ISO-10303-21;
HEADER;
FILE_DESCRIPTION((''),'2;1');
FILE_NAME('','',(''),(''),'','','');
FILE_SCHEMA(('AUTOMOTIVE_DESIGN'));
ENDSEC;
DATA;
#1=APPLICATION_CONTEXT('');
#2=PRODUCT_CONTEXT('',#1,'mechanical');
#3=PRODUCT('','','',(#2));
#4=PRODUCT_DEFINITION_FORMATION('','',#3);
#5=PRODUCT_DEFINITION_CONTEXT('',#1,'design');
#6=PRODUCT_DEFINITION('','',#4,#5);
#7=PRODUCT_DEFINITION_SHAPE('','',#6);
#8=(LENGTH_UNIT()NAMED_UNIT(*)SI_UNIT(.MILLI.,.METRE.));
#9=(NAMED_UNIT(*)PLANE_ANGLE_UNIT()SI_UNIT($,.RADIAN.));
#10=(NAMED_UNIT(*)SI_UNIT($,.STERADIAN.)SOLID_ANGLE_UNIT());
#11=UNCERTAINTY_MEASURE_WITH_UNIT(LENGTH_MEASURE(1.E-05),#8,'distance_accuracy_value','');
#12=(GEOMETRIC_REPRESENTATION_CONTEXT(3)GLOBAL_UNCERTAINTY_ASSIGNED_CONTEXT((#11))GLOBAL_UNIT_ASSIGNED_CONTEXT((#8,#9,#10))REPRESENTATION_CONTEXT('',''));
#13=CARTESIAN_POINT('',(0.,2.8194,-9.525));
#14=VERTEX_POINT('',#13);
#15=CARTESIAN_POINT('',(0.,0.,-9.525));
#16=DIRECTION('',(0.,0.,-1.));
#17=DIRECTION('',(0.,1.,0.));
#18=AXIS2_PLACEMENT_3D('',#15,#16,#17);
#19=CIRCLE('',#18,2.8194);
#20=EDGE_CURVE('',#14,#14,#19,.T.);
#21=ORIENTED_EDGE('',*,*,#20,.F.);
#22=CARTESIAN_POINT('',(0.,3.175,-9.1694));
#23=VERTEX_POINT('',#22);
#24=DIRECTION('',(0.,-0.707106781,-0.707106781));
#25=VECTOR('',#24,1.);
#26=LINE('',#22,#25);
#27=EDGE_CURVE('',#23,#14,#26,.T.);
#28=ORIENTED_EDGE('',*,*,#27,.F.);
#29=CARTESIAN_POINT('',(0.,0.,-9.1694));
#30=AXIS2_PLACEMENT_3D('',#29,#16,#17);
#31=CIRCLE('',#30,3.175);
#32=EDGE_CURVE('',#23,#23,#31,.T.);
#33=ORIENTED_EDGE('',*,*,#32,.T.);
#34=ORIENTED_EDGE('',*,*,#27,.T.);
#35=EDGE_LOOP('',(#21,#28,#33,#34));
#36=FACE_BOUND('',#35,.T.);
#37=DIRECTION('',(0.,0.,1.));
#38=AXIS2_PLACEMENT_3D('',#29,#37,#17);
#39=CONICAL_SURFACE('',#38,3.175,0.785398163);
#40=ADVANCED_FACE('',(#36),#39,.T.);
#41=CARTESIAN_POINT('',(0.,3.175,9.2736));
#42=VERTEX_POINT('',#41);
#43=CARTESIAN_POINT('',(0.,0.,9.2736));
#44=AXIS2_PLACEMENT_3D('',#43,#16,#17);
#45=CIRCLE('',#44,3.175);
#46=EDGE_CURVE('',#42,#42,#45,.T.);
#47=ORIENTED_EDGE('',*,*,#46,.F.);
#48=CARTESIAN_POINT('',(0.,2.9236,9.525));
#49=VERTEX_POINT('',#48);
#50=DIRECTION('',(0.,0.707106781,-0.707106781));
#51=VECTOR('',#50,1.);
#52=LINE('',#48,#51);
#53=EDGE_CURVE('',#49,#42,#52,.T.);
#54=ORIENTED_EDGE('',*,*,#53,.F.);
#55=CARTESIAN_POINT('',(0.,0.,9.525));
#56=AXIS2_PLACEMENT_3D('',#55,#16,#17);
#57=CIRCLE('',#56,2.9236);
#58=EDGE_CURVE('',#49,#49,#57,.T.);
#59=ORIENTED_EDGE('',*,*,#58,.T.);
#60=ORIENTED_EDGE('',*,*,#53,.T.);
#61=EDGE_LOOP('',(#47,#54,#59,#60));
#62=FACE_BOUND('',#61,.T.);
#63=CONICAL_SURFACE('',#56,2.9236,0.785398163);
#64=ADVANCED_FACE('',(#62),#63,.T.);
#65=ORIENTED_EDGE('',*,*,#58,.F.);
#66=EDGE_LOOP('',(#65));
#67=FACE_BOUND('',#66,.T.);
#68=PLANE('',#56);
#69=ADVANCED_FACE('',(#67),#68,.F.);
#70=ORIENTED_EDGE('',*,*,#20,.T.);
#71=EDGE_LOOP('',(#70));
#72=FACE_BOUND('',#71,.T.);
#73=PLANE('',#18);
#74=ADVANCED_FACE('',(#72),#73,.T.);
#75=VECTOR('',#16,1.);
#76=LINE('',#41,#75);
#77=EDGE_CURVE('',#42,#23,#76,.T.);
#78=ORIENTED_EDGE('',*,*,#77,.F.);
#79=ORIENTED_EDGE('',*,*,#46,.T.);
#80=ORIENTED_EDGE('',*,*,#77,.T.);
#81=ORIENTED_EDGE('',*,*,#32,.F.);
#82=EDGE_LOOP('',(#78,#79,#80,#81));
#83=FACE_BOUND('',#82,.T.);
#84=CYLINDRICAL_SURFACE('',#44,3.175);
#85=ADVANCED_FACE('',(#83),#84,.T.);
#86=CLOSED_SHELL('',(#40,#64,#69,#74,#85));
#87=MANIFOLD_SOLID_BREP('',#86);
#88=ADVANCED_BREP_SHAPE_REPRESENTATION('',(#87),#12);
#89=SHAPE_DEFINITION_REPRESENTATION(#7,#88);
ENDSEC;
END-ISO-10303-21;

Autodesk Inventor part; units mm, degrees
sketch "Sketch_1" plane through (0, 0, 0) normal (1, 0, 0) x (0, 1, 0)
  line L0 (0, -9.525) -> (0, 9.525)
  line L1 (0, 9.525) -> (2.9236, 9.525)
  line L2 (2.9236, 9.525) -> (3.175, 9.2736)
  line L3 (3.175, 9.2736) -> (3.175, -9.1694)
  line L4 (3.175, -9.1694) -> (2.8194, -9.525)
  line L5 (2.8194, -9.525) -> (0, -9.525)
  line L6 (0, -9.525) -> (0, 9.525)
revolve "Revolution1" add sketch "Sketch_1" angle 360 about axis through (0, 0, -9.525) along (0, 0, -1)
ref_plane "dia1_XY" through (-3.175, 0, 0) normal (0, 0, 1) x (1, 0, 0)
ref_plane "dia1_YZ" through (-3.175, 0, 0) normal (1, 0, 0) x (0, 1, 0)
ref_plane "dia1_ZX" through (-3.175, 0, 0) normal (0, 1, 0) x (0, 0, 1)
ref_plane "dia2_XY" through (3.175, 0, 0) normal (0, 0, 1) x (1, 0, 0)
ref_plane "dia2_YZ" through (3.175, 0, 0) normal (1, 0, 0) x (0, 1, 0)
ref_plane "dia2_ZX" through (3.175, 0, 0) normal (0, 1, 0) x (0, 0, 1)
ref_plane "pin_XY" through (0, 0, 0) normal (0, 0, 1) x (1, 0, 0)
ref_plane "pin_YZ" through (0, 0, 0) normal (1, 0, 0) x (0, 1, 0)
ref_plane "pin_ZX" through (0, 0, 0) normal (0, 1, 0) x (0, 0, 1)
ref_plane "pin1_XY" through (0, 0, 9.525) normal (1, 0, 0) x (0, 0, -1)
ref_plane "pin1_YZ" through (0, 0, 9.525) normal (0, 0, -1) x (0, 1, 0)
ref_plane "pin1_ZX" through (0, 0, 9.525) normal (0, 1, 0) x (1, 0, 0)
ref_plane "pin2_XY" through (0, 0, -9.525) normal (1, 0, 0) x (0, 0, -1)
ref_plane "pin2_YZ" through (0, 0, -9.525) normal (0, 0, -1) x (0, 1, 0)
ref_plane "pin2_ZX" through (0, 0, -9.525) normal (0, 1, 0) x (1, 0, 0)
properties part number "D-51" material "Aluminum 6061"
